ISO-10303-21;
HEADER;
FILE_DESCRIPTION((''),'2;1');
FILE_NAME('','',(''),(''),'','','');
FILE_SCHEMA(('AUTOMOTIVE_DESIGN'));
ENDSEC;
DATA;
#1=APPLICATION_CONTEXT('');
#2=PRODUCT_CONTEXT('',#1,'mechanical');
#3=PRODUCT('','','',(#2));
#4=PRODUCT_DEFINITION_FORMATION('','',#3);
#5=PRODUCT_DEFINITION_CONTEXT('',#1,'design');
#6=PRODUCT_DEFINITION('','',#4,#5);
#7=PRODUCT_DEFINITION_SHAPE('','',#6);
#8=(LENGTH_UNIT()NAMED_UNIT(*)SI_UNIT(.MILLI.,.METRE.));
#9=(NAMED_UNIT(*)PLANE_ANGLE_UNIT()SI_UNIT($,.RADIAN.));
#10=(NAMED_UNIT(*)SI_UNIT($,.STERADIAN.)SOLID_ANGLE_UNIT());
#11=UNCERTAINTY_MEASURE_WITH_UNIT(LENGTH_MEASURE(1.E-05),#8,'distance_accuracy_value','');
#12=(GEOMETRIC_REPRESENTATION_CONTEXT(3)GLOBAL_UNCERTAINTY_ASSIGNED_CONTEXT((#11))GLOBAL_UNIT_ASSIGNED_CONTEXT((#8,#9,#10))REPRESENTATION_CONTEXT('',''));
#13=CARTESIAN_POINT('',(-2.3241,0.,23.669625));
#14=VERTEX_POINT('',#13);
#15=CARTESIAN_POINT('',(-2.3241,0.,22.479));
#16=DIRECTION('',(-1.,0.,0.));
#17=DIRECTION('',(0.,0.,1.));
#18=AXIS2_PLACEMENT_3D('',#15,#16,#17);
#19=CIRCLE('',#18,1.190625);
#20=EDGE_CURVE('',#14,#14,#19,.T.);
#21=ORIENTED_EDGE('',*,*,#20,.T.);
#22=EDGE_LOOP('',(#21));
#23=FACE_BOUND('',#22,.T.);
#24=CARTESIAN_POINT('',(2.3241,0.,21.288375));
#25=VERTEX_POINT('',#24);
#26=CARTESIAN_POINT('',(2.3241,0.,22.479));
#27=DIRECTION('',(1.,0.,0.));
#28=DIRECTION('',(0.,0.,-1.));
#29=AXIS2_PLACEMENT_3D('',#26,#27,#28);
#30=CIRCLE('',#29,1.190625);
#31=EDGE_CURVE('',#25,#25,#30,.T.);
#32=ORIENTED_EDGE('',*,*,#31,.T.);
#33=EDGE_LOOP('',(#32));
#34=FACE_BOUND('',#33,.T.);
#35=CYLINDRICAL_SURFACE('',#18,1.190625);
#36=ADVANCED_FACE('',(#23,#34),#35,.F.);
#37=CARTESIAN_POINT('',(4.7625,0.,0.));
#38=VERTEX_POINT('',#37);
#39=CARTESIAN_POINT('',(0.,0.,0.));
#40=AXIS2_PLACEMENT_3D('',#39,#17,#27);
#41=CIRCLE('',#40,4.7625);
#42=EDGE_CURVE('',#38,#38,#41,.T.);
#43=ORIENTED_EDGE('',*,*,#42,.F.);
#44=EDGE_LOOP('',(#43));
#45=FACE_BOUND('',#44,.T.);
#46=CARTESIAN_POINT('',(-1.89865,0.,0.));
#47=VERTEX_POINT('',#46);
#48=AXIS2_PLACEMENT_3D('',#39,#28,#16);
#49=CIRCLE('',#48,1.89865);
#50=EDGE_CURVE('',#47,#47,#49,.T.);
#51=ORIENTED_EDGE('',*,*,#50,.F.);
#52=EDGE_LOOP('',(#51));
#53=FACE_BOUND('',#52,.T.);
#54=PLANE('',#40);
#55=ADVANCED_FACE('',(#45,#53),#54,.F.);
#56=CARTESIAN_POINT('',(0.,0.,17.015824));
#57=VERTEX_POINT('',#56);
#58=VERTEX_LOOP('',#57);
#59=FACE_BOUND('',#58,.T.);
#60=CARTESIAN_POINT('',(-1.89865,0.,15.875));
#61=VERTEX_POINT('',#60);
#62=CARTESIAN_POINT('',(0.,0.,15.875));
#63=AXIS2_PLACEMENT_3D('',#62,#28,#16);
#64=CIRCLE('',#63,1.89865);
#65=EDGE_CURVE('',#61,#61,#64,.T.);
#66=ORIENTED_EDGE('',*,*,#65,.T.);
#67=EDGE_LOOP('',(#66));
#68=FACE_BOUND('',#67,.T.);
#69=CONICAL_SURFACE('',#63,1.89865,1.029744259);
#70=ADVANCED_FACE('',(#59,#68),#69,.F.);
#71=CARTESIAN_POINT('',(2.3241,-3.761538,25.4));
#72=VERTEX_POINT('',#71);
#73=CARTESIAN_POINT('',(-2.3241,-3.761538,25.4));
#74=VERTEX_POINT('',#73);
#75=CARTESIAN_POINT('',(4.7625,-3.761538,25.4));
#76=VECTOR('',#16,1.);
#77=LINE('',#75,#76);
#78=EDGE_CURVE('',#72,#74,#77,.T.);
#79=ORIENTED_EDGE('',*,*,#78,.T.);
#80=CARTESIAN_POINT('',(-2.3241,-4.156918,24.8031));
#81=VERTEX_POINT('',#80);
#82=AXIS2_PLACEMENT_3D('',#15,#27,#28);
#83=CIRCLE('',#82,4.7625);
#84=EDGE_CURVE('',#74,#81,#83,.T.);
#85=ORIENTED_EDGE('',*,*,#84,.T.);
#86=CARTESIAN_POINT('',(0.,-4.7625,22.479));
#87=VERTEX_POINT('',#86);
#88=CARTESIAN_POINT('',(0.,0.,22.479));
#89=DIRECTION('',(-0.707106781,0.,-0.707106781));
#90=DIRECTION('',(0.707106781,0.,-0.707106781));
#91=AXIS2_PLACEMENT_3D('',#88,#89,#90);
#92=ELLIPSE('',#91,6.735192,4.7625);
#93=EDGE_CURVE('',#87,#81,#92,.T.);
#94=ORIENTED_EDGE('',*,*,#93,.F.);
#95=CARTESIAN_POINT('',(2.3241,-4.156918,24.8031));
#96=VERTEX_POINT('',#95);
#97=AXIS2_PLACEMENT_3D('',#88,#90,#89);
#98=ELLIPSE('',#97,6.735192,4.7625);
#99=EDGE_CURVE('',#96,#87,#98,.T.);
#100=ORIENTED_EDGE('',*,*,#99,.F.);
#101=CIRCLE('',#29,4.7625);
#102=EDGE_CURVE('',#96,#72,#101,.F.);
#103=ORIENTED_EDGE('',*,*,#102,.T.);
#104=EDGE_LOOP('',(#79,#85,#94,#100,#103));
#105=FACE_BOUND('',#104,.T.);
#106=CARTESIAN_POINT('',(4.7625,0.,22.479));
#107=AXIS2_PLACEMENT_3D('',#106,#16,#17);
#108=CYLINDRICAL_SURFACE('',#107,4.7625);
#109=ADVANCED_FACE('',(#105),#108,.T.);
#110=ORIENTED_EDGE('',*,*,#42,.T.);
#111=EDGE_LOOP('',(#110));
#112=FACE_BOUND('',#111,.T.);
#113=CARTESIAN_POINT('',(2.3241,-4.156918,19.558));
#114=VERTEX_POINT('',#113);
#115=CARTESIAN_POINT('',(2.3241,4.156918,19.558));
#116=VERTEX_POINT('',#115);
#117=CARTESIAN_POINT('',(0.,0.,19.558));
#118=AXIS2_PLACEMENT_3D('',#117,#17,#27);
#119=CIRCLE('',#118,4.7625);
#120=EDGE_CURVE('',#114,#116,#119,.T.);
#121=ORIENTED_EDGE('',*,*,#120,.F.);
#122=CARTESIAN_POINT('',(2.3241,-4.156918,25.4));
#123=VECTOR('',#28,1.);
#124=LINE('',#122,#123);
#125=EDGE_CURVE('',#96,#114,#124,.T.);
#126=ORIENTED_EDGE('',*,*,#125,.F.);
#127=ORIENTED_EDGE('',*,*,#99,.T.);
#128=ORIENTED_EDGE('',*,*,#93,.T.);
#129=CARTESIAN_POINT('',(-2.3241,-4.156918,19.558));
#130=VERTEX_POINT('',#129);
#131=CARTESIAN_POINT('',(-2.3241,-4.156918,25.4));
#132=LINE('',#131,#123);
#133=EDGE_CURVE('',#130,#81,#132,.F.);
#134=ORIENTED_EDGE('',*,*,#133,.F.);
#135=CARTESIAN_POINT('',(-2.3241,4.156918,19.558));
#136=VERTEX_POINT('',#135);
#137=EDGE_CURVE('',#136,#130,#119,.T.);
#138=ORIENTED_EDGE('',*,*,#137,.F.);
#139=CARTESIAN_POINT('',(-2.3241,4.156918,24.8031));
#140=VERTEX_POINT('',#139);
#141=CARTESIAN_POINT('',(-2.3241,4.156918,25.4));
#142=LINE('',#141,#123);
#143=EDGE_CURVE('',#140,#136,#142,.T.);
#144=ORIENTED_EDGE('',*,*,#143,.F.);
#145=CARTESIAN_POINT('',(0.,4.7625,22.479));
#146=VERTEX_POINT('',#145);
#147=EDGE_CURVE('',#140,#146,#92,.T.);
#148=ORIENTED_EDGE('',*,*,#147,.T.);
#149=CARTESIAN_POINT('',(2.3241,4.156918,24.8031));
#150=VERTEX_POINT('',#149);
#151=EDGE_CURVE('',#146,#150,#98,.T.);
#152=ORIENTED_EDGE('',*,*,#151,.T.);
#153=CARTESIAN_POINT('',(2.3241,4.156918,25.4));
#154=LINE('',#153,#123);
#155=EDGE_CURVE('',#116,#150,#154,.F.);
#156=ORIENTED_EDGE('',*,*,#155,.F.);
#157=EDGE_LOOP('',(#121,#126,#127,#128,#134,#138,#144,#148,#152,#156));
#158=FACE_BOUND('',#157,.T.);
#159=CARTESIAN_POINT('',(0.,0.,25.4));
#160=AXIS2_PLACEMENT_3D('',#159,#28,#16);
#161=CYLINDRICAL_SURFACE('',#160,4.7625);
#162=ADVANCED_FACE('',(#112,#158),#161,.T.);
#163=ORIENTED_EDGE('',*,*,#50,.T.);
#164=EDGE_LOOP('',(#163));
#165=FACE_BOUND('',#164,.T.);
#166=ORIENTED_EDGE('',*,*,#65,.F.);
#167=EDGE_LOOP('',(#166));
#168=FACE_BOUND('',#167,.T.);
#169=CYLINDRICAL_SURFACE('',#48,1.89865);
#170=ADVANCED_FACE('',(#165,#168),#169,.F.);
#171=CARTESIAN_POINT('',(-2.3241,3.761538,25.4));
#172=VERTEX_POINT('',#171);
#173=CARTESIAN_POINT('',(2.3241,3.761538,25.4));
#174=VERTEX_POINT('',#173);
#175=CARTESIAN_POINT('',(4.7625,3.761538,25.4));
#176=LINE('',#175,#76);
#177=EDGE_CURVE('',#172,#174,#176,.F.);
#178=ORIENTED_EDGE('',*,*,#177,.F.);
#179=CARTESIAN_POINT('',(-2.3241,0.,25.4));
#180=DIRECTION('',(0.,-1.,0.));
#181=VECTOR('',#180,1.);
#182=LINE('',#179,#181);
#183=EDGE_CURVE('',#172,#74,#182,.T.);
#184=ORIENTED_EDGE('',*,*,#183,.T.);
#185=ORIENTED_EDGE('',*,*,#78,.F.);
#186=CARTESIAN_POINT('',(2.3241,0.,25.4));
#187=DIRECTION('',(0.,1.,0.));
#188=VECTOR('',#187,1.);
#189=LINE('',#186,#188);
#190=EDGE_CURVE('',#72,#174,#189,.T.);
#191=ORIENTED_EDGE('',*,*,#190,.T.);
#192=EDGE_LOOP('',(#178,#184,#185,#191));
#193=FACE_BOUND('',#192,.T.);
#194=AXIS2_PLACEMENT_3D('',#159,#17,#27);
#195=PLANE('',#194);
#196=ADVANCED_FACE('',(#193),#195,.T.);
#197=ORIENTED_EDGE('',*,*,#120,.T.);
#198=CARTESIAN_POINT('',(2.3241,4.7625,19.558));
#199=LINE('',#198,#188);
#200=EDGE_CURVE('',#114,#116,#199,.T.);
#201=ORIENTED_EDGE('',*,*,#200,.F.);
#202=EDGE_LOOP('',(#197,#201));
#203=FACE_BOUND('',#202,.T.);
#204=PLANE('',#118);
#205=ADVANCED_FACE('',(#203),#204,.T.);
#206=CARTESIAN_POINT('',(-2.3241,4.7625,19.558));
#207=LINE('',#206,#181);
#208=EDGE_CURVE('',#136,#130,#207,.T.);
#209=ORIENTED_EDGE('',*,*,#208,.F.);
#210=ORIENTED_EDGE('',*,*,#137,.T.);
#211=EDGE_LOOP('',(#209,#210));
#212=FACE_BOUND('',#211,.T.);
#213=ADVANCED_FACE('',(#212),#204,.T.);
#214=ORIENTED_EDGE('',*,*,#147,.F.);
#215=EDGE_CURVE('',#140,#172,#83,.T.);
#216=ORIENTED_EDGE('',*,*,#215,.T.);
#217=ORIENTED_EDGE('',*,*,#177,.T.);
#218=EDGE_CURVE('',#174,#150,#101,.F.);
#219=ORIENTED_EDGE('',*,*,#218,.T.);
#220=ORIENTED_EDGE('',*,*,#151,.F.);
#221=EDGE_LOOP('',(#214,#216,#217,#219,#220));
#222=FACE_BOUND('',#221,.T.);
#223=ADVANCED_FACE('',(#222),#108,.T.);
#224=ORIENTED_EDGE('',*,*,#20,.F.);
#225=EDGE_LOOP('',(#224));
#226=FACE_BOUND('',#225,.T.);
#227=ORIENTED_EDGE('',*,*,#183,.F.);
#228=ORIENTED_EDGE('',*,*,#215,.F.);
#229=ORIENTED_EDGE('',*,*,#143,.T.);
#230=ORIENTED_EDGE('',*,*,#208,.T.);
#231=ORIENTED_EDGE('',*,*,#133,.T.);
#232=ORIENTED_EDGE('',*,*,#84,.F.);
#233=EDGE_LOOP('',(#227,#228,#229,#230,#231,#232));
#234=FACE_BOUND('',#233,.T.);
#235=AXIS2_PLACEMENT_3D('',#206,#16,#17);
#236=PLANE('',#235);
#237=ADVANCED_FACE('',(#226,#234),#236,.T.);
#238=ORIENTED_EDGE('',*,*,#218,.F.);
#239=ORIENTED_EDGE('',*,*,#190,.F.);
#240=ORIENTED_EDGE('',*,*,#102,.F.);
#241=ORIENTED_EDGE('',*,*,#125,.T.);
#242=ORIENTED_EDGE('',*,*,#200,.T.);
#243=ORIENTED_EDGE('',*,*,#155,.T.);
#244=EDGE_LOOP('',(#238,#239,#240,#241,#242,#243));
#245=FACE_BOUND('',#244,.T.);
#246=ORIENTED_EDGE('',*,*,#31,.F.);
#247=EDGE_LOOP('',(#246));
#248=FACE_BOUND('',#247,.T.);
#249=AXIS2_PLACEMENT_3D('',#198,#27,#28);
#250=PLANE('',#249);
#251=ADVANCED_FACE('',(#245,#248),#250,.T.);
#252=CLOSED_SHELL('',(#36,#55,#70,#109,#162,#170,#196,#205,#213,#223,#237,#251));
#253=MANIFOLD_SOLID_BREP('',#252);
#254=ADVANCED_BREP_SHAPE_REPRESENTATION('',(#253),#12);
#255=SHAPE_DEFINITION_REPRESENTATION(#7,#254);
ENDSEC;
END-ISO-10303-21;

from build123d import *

# Parameters (mm, degrees)
SKETCH1_R                       = 4.7625
BOSS_EXTRUDE1_DEPTH             = 25.4
SKETCH2_OUTSIDE_W               = 17.274
SKETCH2_OUTSIDE_H               = 17.274
SKETCH2_OUTSIDE_W_2             = 4.6482
SKETCH2_OUTSIDE_H_2             = 9.525
CUT_EXTRUDE1_DEPTH              = 5.842
F_3_32_0_09375_DIAMETER_HOLE1_D = 2.38125
CUT_EXTRUDE2_DEPTH              = 27.796665946
TAP_DRILL_FOR_10_24_TAP1_D      = 3.7973
TAP_DRILL_FOR_10_24_TAP1_DEPTH  = 15.875
TAP_DRILL_FOR_10_24_TAP1_TIP    = 1.140824014


with BuildPart() as part:
    # Sketch1 → Boss-Extrude1 (new body)
    with BuildSketch(Plane.XY):
        Circle(SKETCH1_R)
    extrude(amount=BOSS_EXTRUDE1_DEPTH)

    # Sketch2 outside → Cut-Extrude1 (cut)
    with BuildSketch(Plane.XY.offset(25.4)):
        Rectangle(SKETCH2_OUTSIDE_W, SKETCH2_OUTSIDE_H)
        Rectangle(SKETCH2_OUTSIDE_W_2, SKETCH2_OUTSIDE_H_2, mode=Mode.SUBTRACT)
    extrude(amount=-CUT_EXTRUDE1_DEPTH, mode=Mode.SUBTRACT)

    # 3/32 (0.09375) Diameter Hole1 (through all)
    with Locations(Plane.ZY.offset(2.3241)):
        with Locations((22.479, 0)):
            Hole(F_3_32_0_09375_DIAMETER_HOLE1_D / 2)

    # Sketch5 → Cut-Extrude2 (cut, through all)
    with BuildSketch(Plane.ZY.offset(2.3241)):
        with BuildLine():
            Line((22.479, 4.7625), (32.004, 4.7625))
            Line((32.004, 4.7625), (32.004, -4.7625))
            Line((32.004, -4.7625), (22.479, -4.7625))
            ThreePointArc((22.479, -4.7625), (27.2415, 0), (22.479, 4.7625))
        make_face()
    extrude(amount=-CUT_EXTRUDE2_DEPTH, mode=Mode.SUBTRACT)

    # Tap Drill for #10-24 Tap1
    with Locations(Plane(origin=(0, 0, 0), x_dir=(-1, 0, 0), z_dir=(0, 0, -1))):
        with Locations((0, 0)):
            Hole(TAP_DRILL_FOR_10_24_TAP1_D / 2, depth=TAP_DRILL_FOR_10_24_TAP1_DEPTH)
            with Locations((0, 0, -(TAP_DRILL_FOR_10_24_TAP1_DEPTH + TAP_DRILL_FOR_10_24_TAP1_TIP / 2))):  # 118° drill point
                Cone(0, TAP_DRILL_FOR_10_24_TAP1_D / 2, TAP_DRILL_FOR_10_24_TAP1_TIP, mode=Mode.SUBTRACT)


solid = part.part
